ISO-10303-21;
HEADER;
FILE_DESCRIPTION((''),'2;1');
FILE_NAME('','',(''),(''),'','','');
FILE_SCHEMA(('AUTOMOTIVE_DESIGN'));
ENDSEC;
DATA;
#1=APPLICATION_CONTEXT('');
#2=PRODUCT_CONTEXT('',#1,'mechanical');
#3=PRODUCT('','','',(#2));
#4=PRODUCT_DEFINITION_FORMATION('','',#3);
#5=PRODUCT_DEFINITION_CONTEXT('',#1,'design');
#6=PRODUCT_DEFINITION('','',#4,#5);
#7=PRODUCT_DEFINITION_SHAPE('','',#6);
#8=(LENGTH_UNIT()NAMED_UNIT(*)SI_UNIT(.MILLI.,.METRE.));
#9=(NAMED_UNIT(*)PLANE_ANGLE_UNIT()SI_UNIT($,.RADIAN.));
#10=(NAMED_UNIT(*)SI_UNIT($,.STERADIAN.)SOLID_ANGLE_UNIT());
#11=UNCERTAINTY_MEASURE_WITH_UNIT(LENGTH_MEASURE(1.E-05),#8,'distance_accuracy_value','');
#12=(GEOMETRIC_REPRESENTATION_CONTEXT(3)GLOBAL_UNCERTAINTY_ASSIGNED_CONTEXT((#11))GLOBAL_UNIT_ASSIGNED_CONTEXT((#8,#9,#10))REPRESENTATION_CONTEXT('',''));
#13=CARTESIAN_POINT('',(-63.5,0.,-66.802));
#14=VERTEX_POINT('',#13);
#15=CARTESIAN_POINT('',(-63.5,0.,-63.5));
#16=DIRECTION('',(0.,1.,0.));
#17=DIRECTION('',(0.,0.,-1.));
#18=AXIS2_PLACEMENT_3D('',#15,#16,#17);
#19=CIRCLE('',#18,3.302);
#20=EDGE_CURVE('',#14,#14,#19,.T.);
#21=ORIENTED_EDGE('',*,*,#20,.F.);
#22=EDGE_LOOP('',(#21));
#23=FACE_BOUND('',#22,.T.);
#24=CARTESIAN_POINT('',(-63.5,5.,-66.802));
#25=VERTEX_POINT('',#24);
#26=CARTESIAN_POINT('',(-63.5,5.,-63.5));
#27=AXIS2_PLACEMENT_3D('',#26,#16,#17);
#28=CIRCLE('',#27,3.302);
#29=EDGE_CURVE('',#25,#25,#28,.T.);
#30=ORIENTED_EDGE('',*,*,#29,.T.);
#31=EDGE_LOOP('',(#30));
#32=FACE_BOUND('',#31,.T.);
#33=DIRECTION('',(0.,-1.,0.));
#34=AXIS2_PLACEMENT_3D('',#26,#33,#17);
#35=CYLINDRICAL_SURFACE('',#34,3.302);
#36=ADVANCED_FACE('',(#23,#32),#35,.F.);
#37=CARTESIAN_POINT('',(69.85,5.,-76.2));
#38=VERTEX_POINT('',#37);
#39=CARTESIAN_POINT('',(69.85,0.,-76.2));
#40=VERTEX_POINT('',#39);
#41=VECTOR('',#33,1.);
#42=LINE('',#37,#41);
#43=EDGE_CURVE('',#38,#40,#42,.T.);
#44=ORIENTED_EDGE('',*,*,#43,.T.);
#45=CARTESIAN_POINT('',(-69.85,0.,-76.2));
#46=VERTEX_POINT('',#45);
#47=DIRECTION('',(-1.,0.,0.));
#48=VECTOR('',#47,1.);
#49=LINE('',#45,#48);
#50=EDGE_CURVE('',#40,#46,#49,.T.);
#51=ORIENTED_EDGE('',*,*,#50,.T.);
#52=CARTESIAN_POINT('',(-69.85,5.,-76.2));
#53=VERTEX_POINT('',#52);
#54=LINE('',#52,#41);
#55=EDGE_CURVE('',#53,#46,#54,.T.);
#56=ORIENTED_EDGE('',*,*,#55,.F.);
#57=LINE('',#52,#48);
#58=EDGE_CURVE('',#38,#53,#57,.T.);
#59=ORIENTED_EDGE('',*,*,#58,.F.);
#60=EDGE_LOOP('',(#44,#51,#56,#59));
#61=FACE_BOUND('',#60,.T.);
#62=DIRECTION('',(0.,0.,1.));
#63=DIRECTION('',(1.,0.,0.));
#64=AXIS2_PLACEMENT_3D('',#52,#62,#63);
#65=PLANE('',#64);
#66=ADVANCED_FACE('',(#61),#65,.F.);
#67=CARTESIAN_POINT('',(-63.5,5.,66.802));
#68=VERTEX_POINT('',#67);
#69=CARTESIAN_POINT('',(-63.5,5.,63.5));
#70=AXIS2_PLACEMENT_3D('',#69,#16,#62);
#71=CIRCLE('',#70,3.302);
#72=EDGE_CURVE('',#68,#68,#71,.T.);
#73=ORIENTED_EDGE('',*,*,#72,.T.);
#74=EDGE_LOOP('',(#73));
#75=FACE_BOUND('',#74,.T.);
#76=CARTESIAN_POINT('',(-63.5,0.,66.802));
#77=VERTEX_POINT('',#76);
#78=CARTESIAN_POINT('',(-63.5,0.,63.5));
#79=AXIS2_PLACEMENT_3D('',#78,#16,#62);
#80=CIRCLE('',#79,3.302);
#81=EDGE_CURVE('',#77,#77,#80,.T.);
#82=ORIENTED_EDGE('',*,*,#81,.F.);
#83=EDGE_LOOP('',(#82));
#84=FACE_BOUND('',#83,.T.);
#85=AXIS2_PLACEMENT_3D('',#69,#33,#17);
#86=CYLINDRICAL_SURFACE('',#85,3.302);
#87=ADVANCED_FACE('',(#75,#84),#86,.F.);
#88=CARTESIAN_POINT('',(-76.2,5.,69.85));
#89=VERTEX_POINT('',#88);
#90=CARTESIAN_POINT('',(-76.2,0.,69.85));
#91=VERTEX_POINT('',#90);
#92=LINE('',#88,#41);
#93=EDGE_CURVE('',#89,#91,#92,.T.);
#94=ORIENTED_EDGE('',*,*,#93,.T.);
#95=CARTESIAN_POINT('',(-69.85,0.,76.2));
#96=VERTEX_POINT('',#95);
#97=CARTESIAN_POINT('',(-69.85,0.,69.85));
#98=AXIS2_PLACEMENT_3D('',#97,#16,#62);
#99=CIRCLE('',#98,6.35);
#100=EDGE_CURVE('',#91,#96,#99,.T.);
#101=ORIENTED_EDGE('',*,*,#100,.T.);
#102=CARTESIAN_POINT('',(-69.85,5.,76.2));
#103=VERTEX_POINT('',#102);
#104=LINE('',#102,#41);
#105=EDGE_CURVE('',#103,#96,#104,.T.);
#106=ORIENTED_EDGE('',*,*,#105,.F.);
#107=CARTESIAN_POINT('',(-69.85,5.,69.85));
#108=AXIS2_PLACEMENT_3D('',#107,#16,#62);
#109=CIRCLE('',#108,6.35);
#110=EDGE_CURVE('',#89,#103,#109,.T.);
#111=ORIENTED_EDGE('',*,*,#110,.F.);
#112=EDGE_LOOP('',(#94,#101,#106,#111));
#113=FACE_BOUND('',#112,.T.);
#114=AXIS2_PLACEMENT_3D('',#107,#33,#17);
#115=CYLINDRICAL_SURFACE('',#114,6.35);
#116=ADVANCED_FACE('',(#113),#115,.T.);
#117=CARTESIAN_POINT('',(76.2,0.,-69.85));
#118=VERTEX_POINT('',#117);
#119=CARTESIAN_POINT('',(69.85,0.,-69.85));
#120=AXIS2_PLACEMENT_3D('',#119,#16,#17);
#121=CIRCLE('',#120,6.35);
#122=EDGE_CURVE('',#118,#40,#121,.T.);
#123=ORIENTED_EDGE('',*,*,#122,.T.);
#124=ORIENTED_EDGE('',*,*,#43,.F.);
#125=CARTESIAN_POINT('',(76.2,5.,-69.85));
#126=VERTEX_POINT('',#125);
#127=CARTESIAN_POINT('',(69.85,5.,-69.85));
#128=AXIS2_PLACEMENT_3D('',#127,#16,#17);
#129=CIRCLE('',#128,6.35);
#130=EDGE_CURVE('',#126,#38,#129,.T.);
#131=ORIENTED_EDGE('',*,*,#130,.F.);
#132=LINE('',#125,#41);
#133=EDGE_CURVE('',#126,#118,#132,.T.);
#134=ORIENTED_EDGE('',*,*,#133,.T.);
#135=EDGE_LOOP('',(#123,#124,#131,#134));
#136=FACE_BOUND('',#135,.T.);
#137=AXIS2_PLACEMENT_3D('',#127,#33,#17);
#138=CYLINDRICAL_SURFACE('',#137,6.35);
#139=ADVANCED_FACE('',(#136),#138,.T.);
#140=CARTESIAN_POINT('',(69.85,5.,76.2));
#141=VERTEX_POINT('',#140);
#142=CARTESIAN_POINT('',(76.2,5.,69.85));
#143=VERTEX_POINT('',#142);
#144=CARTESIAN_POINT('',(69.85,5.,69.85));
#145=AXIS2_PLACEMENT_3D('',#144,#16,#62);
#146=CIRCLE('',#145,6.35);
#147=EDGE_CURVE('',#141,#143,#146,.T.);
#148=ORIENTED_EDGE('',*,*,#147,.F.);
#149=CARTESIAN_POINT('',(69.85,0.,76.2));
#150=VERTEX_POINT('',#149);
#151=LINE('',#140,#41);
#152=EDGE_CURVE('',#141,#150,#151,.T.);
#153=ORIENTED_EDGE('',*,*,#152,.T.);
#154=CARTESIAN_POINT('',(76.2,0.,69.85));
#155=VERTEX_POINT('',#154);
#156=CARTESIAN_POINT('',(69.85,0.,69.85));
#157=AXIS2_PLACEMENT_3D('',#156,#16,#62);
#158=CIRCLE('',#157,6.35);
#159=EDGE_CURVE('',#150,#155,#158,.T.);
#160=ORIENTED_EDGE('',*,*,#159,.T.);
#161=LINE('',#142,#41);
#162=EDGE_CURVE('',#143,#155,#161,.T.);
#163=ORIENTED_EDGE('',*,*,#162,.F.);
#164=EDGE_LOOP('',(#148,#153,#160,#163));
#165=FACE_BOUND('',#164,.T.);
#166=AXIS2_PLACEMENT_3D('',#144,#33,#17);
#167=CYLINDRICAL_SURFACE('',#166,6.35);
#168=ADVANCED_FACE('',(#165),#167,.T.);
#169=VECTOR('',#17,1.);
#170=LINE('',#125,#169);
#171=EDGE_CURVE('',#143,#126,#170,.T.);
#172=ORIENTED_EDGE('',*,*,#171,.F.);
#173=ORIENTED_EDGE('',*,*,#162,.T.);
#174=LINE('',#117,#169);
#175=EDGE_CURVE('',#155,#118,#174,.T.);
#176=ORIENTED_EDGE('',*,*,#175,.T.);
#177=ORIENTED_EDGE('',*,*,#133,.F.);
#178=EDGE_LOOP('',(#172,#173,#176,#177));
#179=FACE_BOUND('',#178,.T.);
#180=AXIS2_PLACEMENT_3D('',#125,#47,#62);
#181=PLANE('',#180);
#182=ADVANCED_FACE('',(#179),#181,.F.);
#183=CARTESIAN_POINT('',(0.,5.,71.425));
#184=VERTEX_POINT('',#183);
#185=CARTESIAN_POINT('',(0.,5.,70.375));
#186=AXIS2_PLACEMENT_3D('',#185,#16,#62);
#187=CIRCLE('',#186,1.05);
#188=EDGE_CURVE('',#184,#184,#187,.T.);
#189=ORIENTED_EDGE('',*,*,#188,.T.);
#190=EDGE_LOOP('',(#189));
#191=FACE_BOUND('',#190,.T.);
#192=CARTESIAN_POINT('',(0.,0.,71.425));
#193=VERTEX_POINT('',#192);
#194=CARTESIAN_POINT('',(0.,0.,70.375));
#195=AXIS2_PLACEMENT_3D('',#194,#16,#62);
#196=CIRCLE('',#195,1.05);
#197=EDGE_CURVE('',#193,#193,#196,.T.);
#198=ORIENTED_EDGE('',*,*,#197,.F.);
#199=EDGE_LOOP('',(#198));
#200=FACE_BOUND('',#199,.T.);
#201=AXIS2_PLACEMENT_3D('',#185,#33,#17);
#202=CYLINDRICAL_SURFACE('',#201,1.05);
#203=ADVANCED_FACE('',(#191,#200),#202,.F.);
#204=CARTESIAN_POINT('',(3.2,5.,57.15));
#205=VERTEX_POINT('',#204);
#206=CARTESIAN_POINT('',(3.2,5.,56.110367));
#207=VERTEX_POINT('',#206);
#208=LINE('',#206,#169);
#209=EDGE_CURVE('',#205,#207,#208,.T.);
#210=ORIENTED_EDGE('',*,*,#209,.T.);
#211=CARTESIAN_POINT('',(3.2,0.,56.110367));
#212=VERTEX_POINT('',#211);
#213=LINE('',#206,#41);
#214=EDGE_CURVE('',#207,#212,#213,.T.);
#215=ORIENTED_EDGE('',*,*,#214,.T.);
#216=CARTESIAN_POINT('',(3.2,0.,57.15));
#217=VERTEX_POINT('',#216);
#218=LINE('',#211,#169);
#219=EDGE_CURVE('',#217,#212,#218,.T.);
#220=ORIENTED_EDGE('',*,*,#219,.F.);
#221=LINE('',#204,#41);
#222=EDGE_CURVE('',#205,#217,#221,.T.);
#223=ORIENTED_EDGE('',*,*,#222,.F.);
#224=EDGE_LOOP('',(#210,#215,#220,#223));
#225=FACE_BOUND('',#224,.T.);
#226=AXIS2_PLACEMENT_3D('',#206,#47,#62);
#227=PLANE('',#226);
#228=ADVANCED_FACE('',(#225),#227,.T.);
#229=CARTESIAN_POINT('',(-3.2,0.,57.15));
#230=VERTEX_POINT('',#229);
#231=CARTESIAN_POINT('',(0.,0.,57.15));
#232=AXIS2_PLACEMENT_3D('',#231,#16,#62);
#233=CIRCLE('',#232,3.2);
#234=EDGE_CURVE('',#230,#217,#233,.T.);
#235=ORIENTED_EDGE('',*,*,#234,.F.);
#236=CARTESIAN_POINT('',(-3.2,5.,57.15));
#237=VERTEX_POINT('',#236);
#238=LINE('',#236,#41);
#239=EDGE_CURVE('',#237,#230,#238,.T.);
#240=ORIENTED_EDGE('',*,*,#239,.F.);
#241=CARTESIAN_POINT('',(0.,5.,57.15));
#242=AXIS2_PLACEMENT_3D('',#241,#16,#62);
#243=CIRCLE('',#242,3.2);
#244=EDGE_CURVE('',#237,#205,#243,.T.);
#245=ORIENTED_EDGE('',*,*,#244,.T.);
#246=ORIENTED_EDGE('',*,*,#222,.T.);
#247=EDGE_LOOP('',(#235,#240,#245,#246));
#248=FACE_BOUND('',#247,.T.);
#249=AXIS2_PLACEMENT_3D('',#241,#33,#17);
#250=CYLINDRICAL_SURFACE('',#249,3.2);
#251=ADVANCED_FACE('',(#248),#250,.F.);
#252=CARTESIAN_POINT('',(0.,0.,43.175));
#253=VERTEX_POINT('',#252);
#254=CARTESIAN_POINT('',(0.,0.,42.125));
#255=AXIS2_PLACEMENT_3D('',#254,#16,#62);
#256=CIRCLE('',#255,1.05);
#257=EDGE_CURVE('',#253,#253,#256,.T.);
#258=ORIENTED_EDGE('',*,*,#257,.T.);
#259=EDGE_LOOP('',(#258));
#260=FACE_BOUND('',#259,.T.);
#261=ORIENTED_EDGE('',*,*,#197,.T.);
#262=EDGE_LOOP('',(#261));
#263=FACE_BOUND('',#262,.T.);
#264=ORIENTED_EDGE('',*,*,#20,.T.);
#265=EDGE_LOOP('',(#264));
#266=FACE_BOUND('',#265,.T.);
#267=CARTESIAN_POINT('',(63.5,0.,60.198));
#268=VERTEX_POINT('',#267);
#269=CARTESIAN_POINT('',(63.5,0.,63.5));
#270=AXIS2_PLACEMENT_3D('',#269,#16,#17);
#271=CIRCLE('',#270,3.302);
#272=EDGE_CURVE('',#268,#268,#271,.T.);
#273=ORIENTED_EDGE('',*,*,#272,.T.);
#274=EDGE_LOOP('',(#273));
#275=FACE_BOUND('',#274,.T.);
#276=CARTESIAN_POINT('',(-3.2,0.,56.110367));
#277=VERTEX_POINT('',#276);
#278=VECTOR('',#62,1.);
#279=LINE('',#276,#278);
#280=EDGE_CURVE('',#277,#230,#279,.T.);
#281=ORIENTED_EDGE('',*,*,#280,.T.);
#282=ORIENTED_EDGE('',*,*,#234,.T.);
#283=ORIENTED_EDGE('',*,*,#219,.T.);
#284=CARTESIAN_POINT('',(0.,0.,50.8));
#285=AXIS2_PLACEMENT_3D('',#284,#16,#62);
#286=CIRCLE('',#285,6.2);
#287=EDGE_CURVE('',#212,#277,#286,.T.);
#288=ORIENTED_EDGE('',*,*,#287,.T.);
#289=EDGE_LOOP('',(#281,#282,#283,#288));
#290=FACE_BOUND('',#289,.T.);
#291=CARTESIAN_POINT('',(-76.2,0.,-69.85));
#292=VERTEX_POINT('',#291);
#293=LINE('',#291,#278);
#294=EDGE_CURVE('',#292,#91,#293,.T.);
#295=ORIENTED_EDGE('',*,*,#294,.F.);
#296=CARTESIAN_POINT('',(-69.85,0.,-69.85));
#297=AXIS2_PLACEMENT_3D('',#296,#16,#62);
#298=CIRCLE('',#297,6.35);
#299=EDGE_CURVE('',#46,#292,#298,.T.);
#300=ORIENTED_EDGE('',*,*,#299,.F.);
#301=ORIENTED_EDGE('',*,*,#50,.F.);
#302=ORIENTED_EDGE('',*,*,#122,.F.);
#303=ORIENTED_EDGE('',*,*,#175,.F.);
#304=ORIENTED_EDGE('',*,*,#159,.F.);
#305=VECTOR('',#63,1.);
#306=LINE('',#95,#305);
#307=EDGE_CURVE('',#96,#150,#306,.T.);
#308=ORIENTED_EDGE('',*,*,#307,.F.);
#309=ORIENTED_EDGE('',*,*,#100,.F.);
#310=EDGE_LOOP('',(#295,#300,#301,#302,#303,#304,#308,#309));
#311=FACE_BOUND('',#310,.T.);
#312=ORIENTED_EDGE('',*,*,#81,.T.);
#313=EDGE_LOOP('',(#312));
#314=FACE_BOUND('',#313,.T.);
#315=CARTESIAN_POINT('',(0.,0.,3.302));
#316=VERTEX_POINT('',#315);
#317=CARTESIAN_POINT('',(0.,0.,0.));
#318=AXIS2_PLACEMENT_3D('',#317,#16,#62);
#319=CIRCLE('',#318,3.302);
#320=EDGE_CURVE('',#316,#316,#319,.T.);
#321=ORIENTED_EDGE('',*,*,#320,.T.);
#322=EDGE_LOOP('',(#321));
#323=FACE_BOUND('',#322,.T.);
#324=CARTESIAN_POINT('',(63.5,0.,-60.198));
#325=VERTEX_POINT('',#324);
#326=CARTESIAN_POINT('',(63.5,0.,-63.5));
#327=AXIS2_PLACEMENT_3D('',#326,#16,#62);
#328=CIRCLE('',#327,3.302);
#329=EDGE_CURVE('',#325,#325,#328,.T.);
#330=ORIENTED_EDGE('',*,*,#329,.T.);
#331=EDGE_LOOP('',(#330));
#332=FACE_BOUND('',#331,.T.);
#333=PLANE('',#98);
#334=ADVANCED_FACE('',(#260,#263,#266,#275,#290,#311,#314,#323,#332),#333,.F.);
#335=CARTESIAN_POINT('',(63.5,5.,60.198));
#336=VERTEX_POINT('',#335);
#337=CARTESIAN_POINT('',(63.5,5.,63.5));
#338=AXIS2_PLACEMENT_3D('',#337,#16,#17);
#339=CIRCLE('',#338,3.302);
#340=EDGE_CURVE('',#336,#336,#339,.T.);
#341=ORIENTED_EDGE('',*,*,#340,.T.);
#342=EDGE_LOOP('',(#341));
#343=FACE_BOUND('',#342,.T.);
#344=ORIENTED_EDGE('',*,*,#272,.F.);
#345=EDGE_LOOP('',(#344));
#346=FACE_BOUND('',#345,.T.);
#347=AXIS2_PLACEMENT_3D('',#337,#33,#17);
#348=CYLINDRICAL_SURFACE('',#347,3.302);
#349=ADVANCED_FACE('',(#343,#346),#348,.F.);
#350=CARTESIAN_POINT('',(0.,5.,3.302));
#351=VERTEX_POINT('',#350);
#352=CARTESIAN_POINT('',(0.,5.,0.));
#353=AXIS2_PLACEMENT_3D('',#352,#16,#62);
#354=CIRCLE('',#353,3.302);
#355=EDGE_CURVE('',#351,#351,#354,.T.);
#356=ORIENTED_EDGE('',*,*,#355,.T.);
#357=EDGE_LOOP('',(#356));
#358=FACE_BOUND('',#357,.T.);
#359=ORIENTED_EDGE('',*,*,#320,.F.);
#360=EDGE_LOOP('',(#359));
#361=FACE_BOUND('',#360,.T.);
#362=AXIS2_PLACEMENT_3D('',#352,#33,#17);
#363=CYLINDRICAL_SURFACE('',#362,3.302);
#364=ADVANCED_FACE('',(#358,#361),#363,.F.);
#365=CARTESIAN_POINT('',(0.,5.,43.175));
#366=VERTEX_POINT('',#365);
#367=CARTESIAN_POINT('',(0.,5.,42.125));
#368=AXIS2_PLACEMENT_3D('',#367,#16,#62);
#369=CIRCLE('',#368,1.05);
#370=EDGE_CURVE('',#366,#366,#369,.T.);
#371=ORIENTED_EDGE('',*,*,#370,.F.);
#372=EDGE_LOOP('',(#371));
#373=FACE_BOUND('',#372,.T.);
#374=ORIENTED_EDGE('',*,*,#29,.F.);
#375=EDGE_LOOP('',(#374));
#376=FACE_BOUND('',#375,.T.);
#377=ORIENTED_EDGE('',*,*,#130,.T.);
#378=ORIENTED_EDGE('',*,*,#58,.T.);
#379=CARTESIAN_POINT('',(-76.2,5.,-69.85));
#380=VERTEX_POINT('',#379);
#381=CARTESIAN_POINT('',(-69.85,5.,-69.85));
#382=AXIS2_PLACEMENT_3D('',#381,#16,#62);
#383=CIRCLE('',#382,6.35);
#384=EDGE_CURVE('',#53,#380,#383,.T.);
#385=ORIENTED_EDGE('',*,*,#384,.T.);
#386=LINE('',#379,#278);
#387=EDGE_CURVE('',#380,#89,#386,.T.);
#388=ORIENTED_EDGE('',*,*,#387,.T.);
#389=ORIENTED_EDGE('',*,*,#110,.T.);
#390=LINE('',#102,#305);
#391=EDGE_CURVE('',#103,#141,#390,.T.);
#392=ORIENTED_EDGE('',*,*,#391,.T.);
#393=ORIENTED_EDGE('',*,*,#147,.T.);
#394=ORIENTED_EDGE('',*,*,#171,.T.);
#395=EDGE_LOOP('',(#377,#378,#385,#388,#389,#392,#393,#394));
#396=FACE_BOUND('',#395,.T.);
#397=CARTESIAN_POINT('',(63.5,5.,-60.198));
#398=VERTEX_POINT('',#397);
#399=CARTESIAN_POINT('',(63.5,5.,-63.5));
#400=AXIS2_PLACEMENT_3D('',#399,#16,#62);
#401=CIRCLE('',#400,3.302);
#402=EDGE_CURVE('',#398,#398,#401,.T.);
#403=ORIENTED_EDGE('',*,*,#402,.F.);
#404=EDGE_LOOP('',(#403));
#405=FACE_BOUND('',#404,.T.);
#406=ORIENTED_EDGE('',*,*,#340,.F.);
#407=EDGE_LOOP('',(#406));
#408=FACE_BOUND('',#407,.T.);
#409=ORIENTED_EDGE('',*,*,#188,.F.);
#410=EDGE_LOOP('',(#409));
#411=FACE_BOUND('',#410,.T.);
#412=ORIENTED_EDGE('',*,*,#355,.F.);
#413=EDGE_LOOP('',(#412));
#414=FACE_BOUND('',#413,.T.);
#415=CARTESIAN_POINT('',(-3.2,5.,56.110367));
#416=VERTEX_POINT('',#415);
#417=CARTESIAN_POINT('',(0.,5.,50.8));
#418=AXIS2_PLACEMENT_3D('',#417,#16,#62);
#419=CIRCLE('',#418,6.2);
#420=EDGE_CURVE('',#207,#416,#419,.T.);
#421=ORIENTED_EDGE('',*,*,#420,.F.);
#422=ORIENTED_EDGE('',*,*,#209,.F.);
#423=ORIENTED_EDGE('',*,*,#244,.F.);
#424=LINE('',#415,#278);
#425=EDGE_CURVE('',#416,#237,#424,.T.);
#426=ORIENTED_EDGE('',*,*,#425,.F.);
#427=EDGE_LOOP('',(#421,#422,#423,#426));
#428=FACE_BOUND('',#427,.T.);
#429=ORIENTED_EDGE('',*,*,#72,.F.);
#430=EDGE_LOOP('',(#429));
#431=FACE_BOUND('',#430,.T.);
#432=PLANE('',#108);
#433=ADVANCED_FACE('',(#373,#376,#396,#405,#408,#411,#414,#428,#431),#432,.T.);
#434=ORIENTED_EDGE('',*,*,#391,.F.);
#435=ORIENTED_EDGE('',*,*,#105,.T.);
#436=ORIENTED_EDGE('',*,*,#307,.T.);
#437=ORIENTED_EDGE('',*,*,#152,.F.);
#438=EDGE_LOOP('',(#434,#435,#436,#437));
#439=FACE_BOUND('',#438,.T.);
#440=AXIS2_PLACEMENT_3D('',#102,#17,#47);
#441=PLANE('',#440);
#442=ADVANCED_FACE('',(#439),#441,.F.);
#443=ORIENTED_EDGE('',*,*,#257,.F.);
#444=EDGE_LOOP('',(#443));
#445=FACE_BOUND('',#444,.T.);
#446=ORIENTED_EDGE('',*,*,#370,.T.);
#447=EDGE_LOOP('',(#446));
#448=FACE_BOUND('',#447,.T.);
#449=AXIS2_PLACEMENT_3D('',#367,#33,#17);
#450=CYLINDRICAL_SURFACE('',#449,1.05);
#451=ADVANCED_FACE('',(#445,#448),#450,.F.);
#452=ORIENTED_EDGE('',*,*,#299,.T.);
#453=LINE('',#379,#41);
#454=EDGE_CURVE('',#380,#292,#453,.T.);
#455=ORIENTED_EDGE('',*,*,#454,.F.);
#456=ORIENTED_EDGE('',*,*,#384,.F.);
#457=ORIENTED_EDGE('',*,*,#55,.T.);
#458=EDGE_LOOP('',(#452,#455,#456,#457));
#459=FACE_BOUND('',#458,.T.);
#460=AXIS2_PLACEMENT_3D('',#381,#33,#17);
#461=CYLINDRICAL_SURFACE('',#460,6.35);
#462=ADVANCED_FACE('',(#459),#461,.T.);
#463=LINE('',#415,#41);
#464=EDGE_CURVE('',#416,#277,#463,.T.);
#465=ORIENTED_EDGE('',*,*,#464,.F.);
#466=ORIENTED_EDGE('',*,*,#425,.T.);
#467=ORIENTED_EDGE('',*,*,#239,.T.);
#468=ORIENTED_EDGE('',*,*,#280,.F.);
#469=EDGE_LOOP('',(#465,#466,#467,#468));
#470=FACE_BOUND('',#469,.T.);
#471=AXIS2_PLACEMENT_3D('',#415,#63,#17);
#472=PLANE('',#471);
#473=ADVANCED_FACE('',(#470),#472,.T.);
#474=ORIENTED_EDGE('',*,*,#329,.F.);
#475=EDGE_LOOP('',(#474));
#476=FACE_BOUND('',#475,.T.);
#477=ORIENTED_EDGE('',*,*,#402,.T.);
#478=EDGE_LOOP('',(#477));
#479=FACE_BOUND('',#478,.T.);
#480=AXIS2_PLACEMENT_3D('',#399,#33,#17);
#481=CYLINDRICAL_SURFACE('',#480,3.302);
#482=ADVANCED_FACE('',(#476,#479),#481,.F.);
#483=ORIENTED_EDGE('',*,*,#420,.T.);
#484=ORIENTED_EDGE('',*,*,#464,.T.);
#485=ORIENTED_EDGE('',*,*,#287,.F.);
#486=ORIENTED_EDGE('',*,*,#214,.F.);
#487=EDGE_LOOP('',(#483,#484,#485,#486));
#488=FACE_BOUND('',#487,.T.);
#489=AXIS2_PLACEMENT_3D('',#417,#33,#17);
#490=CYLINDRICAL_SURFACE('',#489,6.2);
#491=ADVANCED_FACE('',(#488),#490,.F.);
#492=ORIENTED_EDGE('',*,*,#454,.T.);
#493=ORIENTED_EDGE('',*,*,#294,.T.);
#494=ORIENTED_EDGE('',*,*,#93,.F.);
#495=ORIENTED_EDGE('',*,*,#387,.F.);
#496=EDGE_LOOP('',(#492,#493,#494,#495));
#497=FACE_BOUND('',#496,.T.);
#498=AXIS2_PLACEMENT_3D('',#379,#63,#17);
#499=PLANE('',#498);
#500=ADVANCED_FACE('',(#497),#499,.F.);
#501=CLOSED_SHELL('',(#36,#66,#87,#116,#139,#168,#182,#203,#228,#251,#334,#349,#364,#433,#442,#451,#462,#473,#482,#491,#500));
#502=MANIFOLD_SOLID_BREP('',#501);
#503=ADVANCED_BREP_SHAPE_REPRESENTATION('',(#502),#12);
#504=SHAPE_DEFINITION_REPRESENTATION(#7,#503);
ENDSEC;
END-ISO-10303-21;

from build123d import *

# Parameters (mm, degrees)
SKETCH1_R           = 3.302
BOSS_EXTRUDE1_DEPTH = 5
SKETCH2_R           = 1.05
CUT_EXTRUDE2_DEPTH  = 108.879006299


with BuildPart() as part:
    # Sketch1 → Boss-Extrude1 (new body)
    with BuildSketch(Plane(origin=(0, 0, 0), x_dir=(1, 0, 0), z_dir=(0, 1, 0))):
        with BuildLine():
            Line((-69.85, 76.2), (69.85, 76.2))
            ThreePointArc((69.85, 76.2), (74.340128061, 74.340128061), (76.2, 69.85))
            Line((76.2, 69.85), (76.2, -69.85))
            ThreePointArc((76.2, -69.85), (74.340128061, -74.340128061), (69.85, -76.2))
            Line((69.85, -76.2), (-69.85, -76.2))
            ThreePointArc((-69.85, -76.2), (-74.340128061, -74.340128061), (-76.2, -69.85))
            Line((-76.2, -69.85), (-76.2, 69.85))
            ThreePointArc((-76.2, 69.85), (-74.340128061, 74.340128061), (-69.85, 76.2))
        make_face()
        with Locations(Location((63.5, 63.5, 0), (0, 0, 270))):
            Circle(SKETCH1_R, mode=Mode.SUBTRACT)
        with Locations(Location((63.5, -63.5, 0), (0, 0, 90))):
            Circle(SKETCH1_R, mode=Mode.SUBTRACT)
        with Locations(Location((-63.5, -63.5, 0), (0, 0, 270))):
            Circle(SKETCH1_R, mode=Mode.SUBTRACT)
        with Locations(Location((-63.5, 63.5, 0), (0, 0, 90))):
            Circle(SKETCH1_R, mode=Mode.SUBTRACT)
        with Locations(Location((0, 0, 0), (0, 0, 270))):
            Circle(SKETCH1_R, mode=Mode.SUBTRACT)
    extrude(amount=BOSS_EXTRUDE1_DEPTH)

    # Sketch2 → Cut-Extrude2 (cut, through all)
    with BuildSketch(Plane(origin=(0, 0, 0), x_dir=(1, 0, 0), z_dir=(0, 1, 0))):
        with Locations(Location((0, -42.125, 0), (0, 0, 270))):
            Circle(SKETCH2_R)
        with Locations(Location((0, -70.375, 0), (0, 0, 270))):
            Circle(SKETCH2_R)
        with BuildLine():
            Line((-3.2, -56.110367219), (-3.2, -57.15))
            ThreePointArc((-3.2, -57.15), (0, -60.35), (3.2, -57.15))
            Line((3.2, -57.15), (3.2, -56.110367219))
            ThreePointArc((3.2, -56.110367219), (0, -44.6), (-3.2, -56.110367219))
        make_face()
    extrude(amount=CUT_EXTRUDE2_DEPTH, mode=Mode.SUBTRACT)


solid = part.part
